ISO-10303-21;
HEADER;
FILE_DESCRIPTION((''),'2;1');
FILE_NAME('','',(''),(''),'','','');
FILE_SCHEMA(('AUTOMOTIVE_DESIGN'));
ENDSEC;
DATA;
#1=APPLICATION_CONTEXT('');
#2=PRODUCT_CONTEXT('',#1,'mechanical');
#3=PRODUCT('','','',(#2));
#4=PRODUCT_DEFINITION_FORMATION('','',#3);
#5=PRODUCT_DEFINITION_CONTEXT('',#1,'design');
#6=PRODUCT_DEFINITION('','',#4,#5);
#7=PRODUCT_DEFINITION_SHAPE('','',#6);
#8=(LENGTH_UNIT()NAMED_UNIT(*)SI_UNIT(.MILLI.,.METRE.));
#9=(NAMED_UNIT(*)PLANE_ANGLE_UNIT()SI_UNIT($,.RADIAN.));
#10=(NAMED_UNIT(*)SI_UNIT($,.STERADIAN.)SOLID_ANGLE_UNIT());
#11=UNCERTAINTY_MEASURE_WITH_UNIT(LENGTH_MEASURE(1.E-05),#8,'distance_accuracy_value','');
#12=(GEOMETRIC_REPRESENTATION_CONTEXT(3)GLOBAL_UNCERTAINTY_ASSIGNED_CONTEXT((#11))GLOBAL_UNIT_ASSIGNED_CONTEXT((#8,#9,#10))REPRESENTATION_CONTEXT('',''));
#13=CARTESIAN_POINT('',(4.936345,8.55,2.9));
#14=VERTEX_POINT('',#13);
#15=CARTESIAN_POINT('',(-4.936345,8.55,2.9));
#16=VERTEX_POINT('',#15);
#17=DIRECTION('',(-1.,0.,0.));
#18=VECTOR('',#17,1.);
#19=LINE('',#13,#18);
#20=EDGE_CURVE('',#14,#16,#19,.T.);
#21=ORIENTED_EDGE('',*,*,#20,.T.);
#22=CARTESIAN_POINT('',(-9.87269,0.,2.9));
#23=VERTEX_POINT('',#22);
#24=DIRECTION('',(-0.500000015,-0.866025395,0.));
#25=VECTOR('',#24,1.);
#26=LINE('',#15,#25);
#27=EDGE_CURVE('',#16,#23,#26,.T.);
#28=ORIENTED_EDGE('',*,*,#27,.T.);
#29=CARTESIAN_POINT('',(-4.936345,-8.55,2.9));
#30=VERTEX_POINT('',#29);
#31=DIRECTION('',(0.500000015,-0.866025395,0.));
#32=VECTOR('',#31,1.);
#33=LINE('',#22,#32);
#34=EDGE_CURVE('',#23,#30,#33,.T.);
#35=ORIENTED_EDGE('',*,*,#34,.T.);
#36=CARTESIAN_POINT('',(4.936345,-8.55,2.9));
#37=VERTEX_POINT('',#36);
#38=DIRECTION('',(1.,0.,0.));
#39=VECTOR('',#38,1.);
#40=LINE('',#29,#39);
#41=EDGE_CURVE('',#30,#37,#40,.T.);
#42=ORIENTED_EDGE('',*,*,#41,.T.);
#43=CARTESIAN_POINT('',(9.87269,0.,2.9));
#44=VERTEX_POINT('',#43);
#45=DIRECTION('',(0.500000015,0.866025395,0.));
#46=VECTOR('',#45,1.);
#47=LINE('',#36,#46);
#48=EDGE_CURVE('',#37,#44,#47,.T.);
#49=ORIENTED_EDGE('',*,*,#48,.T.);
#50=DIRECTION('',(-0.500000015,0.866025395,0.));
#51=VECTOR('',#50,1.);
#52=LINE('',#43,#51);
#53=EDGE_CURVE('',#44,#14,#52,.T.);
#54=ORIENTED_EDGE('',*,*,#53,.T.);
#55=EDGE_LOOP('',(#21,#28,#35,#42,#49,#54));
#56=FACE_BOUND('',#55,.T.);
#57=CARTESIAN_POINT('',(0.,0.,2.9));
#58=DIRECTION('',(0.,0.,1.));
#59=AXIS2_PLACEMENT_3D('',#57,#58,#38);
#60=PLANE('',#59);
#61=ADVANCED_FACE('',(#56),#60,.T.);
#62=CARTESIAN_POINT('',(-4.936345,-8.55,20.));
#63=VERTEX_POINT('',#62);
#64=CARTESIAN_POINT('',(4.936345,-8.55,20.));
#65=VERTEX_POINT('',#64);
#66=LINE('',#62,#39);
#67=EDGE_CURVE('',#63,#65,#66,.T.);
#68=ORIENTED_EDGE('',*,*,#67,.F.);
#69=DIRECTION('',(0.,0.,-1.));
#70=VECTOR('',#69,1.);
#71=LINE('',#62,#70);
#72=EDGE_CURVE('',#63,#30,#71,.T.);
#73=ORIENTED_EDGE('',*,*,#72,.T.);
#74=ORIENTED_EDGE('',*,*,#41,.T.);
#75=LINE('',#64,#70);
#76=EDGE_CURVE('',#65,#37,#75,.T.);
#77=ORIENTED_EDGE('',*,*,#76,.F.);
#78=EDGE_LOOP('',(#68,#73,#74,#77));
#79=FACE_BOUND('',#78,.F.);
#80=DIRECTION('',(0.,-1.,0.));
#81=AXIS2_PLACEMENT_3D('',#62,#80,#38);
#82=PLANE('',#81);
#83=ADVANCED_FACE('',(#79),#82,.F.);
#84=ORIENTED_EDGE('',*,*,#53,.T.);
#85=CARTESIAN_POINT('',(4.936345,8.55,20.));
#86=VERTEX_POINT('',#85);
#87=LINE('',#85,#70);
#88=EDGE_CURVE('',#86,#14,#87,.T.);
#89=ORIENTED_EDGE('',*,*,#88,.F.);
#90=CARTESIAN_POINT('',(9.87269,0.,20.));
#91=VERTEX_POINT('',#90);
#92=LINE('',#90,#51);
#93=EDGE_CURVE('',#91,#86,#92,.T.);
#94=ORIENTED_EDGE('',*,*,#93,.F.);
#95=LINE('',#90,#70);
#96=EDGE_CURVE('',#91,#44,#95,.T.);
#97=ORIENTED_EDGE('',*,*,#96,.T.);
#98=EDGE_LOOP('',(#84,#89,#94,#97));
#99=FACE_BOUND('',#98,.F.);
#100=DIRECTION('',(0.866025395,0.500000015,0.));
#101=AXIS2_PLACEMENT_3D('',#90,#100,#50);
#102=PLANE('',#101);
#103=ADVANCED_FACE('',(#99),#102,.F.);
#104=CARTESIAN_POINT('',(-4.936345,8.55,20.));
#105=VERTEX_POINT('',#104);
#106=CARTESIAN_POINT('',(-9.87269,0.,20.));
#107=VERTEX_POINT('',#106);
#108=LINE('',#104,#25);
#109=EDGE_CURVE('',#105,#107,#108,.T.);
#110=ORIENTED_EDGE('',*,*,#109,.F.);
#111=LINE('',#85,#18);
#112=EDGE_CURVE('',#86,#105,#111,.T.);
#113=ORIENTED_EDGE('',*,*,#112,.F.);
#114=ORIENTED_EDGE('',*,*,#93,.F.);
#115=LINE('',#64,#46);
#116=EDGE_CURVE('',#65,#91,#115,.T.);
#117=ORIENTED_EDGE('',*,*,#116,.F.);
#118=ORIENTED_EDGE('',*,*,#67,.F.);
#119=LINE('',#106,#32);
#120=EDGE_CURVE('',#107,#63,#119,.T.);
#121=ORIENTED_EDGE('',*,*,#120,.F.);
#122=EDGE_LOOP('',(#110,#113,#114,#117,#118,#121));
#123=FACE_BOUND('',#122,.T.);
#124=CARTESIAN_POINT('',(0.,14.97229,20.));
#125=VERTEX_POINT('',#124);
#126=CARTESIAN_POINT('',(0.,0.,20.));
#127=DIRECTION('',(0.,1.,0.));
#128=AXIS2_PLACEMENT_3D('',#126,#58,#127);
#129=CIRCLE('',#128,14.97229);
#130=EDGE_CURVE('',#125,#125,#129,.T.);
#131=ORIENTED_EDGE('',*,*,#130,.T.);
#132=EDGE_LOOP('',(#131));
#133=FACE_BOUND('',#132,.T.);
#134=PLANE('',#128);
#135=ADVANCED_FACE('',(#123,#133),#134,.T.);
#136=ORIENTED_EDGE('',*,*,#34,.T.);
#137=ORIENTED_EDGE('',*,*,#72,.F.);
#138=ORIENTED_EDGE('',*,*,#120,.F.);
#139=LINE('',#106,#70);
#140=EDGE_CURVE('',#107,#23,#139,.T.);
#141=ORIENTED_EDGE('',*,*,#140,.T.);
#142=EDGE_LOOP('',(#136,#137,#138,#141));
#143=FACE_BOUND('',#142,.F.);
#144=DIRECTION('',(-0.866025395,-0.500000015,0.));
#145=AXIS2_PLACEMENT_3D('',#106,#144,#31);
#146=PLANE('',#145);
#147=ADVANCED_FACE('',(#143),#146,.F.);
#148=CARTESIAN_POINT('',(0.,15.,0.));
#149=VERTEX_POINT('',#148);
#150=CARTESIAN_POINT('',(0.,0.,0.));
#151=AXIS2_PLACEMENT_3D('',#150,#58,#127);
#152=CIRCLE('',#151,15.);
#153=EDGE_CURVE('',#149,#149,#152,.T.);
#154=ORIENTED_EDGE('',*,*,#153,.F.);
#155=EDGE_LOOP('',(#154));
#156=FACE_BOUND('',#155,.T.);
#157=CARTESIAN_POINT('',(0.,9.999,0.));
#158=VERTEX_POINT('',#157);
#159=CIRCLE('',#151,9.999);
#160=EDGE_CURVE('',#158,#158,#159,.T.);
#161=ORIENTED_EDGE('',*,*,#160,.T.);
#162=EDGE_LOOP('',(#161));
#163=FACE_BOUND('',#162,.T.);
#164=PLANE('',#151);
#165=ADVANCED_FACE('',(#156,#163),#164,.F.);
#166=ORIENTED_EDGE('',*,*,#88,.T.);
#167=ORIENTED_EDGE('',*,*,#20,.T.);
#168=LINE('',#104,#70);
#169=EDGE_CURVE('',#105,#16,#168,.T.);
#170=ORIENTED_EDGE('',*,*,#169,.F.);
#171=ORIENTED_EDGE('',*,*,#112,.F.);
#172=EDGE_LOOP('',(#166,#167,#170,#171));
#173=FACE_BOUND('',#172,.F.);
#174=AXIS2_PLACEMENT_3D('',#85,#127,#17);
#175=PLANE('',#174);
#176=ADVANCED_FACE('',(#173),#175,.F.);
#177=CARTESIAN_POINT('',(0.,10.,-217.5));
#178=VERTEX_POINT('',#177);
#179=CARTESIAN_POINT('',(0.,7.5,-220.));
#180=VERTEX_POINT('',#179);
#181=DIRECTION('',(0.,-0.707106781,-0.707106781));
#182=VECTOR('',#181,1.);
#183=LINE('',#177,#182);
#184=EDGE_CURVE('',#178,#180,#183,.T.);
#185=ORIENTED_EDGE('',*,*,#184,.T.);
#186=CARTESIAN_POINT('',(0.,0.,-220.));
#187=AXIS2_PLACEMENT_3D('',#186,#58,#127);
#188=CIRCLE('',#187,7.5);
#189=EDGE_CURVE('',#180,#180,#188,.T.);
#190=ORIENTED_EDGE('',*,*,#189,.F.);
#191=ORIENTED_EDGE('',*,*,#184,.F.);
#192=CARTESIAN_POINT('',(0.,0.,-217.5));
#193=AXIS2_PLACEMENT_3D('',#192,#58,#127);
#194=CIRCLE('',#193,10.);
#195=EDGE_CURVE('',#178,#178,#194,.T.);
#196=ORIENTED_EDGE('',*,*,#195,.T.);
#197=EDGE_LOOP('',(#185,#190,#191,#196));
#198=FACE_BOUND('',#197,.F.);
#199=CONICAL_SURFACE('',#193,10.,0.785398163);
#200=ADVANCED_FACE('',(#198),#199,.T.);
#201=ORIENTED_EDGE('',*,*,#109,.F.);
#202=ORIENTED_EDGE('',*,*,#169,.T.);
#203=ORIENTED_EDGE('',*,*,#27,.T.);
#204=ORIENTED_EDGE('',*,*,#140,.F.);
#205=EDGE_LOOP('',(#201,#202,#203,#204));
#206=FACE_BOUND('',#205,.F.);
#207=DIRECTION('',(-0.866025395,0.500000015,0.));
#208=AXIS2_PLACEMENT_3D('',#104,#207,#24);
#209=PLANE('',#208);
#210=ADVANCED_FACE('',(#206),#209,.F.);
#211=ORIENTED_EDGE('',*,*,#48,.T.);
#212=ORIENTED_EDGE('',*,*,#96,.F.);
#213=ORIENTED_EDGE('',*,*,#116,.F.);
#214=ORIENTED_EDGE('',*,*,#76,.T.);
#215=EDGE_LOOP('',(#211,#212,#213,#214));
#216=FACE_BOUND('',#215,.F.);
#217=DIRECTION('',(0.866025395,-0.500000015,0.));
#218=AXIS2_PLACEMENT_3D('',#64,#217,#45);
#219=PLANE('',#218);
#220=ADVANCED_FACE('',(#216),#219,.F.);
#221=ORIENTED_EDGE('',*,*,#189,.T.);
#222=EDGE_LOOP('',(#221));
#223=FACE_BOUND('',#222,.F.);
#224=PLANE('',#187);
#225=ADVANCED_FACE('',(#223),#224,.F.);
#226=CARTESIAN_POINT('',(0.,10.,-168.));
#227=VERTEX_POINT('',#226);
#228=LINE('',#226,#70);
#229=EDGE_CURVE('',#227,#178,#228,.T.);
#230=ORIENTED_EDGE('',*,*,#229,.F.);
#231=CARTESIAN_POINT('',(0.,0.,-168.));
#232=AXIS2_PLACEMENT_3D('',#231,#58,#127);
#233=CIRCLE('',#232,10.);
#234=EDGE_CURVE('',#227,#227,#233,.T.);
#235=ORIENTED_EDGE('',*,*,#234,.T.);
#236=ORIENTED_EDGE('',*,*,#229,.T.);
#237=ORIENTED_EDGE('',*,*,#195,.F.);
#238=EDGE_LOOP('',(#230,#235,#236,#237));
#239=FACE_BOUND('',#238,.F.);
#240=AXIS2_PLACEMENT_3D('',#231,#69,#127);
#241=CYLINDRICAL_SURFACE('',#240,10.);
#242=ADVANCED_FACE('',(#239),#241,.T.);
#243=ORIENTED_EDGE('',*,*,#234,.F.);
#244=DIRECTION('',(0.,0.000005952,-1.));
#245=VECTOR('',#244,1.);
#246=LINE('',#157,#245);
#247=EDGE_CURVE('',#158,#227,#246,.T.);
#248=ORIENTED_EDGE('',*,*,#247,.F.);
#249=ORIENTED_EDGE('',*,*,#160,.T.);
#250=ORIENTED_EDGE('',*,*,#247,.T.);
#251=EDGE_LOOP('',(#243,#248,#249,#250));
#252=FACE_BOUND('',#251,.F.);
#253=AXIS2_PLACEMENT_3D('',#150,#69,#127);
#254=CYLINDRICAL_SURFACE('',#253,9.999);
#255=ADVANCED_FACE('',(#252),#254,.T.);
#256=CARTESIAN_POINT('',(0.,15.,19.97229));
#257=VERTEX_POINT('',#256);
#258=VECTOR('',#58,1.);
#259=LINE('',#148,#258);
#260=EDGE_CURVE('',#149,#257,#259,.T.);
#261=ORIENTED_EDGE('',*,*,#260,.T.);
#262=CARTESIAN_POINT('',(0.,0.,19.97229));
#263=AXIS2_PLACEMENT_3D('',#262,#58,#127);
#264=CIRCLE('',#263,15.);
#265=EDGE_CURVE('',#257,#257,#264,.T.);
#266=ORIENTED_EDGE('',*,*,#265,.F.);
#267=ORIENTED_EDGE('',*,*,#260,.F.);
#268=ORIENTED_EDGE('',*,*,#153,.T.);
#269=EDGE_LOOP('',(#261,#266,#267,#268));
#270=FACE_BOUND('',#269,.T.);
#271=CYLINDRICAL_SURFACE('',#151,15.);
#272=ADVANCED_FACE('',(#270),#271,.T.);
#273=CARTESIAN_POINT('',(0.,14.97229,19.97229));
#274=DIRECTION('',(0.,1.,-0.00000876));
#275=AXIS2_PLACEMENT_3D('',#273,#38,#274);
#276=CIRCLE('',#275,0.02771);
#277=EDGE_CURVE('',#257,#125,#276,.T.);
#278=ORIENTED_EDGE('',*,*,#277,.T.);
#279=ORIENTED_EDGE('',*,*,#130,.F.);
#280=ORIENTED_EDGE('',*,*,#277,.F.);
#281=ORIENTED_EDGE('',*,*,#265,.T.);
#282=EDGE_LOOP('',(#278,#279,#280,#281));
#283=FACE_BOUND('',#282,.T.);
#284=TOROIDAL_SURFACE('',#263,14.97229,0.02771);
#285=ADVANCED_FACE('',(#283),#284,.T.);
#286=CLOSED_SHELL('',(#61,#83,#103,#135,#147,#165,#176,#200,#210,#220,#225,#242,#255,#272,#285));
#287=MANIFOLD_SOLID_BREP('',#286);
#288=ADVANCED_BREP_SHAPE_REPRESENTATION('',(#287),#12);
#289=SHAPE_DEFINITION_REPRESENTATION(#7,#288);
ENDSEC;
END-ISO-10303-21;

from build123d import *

# Parameters (mm, degrees)
POCKET_DEPTH = 17.1


with BuildPart() as part:
    # Sketch → Revolve (revolve)
    with BuildSketch(Plane.YZ):
        with BuildLine():
            Line((9.999, 0), (15, 0))
            Line((15, 0), (15, 19.97229))
            ThreePointArc((15, 19.97229), (14.991884, 19.991884), (14.97229, 20))
            Line((14.97229, 20), (0, 20))
            Line((0, -220), (0, 20))
            Line((7.5, -220), (0, -220))
            Line((10, -217.5), (7.5, -220))
            Line((10, -168), (10, -217.5))
            Line((9.999, 0), (10, -168))
        make_face()
    revolve(axis=Axis((0, 0, 0), (0, 0, 1)))

    # Sketch001 → Pocket (cut)
    with BuildSketch(Plane.XY.offset(20)):
        Polygon((9.87269, 0), (4.936345, 8.55), (-4.936345, 8.55), (-9.87269, 0), (-4.936345, -8.55), (4.936345, -8.55), align=None)
    extrude(amount=-POCKET_DEPTH, mode=Mode.SUBTRACT)


solid = part.part
